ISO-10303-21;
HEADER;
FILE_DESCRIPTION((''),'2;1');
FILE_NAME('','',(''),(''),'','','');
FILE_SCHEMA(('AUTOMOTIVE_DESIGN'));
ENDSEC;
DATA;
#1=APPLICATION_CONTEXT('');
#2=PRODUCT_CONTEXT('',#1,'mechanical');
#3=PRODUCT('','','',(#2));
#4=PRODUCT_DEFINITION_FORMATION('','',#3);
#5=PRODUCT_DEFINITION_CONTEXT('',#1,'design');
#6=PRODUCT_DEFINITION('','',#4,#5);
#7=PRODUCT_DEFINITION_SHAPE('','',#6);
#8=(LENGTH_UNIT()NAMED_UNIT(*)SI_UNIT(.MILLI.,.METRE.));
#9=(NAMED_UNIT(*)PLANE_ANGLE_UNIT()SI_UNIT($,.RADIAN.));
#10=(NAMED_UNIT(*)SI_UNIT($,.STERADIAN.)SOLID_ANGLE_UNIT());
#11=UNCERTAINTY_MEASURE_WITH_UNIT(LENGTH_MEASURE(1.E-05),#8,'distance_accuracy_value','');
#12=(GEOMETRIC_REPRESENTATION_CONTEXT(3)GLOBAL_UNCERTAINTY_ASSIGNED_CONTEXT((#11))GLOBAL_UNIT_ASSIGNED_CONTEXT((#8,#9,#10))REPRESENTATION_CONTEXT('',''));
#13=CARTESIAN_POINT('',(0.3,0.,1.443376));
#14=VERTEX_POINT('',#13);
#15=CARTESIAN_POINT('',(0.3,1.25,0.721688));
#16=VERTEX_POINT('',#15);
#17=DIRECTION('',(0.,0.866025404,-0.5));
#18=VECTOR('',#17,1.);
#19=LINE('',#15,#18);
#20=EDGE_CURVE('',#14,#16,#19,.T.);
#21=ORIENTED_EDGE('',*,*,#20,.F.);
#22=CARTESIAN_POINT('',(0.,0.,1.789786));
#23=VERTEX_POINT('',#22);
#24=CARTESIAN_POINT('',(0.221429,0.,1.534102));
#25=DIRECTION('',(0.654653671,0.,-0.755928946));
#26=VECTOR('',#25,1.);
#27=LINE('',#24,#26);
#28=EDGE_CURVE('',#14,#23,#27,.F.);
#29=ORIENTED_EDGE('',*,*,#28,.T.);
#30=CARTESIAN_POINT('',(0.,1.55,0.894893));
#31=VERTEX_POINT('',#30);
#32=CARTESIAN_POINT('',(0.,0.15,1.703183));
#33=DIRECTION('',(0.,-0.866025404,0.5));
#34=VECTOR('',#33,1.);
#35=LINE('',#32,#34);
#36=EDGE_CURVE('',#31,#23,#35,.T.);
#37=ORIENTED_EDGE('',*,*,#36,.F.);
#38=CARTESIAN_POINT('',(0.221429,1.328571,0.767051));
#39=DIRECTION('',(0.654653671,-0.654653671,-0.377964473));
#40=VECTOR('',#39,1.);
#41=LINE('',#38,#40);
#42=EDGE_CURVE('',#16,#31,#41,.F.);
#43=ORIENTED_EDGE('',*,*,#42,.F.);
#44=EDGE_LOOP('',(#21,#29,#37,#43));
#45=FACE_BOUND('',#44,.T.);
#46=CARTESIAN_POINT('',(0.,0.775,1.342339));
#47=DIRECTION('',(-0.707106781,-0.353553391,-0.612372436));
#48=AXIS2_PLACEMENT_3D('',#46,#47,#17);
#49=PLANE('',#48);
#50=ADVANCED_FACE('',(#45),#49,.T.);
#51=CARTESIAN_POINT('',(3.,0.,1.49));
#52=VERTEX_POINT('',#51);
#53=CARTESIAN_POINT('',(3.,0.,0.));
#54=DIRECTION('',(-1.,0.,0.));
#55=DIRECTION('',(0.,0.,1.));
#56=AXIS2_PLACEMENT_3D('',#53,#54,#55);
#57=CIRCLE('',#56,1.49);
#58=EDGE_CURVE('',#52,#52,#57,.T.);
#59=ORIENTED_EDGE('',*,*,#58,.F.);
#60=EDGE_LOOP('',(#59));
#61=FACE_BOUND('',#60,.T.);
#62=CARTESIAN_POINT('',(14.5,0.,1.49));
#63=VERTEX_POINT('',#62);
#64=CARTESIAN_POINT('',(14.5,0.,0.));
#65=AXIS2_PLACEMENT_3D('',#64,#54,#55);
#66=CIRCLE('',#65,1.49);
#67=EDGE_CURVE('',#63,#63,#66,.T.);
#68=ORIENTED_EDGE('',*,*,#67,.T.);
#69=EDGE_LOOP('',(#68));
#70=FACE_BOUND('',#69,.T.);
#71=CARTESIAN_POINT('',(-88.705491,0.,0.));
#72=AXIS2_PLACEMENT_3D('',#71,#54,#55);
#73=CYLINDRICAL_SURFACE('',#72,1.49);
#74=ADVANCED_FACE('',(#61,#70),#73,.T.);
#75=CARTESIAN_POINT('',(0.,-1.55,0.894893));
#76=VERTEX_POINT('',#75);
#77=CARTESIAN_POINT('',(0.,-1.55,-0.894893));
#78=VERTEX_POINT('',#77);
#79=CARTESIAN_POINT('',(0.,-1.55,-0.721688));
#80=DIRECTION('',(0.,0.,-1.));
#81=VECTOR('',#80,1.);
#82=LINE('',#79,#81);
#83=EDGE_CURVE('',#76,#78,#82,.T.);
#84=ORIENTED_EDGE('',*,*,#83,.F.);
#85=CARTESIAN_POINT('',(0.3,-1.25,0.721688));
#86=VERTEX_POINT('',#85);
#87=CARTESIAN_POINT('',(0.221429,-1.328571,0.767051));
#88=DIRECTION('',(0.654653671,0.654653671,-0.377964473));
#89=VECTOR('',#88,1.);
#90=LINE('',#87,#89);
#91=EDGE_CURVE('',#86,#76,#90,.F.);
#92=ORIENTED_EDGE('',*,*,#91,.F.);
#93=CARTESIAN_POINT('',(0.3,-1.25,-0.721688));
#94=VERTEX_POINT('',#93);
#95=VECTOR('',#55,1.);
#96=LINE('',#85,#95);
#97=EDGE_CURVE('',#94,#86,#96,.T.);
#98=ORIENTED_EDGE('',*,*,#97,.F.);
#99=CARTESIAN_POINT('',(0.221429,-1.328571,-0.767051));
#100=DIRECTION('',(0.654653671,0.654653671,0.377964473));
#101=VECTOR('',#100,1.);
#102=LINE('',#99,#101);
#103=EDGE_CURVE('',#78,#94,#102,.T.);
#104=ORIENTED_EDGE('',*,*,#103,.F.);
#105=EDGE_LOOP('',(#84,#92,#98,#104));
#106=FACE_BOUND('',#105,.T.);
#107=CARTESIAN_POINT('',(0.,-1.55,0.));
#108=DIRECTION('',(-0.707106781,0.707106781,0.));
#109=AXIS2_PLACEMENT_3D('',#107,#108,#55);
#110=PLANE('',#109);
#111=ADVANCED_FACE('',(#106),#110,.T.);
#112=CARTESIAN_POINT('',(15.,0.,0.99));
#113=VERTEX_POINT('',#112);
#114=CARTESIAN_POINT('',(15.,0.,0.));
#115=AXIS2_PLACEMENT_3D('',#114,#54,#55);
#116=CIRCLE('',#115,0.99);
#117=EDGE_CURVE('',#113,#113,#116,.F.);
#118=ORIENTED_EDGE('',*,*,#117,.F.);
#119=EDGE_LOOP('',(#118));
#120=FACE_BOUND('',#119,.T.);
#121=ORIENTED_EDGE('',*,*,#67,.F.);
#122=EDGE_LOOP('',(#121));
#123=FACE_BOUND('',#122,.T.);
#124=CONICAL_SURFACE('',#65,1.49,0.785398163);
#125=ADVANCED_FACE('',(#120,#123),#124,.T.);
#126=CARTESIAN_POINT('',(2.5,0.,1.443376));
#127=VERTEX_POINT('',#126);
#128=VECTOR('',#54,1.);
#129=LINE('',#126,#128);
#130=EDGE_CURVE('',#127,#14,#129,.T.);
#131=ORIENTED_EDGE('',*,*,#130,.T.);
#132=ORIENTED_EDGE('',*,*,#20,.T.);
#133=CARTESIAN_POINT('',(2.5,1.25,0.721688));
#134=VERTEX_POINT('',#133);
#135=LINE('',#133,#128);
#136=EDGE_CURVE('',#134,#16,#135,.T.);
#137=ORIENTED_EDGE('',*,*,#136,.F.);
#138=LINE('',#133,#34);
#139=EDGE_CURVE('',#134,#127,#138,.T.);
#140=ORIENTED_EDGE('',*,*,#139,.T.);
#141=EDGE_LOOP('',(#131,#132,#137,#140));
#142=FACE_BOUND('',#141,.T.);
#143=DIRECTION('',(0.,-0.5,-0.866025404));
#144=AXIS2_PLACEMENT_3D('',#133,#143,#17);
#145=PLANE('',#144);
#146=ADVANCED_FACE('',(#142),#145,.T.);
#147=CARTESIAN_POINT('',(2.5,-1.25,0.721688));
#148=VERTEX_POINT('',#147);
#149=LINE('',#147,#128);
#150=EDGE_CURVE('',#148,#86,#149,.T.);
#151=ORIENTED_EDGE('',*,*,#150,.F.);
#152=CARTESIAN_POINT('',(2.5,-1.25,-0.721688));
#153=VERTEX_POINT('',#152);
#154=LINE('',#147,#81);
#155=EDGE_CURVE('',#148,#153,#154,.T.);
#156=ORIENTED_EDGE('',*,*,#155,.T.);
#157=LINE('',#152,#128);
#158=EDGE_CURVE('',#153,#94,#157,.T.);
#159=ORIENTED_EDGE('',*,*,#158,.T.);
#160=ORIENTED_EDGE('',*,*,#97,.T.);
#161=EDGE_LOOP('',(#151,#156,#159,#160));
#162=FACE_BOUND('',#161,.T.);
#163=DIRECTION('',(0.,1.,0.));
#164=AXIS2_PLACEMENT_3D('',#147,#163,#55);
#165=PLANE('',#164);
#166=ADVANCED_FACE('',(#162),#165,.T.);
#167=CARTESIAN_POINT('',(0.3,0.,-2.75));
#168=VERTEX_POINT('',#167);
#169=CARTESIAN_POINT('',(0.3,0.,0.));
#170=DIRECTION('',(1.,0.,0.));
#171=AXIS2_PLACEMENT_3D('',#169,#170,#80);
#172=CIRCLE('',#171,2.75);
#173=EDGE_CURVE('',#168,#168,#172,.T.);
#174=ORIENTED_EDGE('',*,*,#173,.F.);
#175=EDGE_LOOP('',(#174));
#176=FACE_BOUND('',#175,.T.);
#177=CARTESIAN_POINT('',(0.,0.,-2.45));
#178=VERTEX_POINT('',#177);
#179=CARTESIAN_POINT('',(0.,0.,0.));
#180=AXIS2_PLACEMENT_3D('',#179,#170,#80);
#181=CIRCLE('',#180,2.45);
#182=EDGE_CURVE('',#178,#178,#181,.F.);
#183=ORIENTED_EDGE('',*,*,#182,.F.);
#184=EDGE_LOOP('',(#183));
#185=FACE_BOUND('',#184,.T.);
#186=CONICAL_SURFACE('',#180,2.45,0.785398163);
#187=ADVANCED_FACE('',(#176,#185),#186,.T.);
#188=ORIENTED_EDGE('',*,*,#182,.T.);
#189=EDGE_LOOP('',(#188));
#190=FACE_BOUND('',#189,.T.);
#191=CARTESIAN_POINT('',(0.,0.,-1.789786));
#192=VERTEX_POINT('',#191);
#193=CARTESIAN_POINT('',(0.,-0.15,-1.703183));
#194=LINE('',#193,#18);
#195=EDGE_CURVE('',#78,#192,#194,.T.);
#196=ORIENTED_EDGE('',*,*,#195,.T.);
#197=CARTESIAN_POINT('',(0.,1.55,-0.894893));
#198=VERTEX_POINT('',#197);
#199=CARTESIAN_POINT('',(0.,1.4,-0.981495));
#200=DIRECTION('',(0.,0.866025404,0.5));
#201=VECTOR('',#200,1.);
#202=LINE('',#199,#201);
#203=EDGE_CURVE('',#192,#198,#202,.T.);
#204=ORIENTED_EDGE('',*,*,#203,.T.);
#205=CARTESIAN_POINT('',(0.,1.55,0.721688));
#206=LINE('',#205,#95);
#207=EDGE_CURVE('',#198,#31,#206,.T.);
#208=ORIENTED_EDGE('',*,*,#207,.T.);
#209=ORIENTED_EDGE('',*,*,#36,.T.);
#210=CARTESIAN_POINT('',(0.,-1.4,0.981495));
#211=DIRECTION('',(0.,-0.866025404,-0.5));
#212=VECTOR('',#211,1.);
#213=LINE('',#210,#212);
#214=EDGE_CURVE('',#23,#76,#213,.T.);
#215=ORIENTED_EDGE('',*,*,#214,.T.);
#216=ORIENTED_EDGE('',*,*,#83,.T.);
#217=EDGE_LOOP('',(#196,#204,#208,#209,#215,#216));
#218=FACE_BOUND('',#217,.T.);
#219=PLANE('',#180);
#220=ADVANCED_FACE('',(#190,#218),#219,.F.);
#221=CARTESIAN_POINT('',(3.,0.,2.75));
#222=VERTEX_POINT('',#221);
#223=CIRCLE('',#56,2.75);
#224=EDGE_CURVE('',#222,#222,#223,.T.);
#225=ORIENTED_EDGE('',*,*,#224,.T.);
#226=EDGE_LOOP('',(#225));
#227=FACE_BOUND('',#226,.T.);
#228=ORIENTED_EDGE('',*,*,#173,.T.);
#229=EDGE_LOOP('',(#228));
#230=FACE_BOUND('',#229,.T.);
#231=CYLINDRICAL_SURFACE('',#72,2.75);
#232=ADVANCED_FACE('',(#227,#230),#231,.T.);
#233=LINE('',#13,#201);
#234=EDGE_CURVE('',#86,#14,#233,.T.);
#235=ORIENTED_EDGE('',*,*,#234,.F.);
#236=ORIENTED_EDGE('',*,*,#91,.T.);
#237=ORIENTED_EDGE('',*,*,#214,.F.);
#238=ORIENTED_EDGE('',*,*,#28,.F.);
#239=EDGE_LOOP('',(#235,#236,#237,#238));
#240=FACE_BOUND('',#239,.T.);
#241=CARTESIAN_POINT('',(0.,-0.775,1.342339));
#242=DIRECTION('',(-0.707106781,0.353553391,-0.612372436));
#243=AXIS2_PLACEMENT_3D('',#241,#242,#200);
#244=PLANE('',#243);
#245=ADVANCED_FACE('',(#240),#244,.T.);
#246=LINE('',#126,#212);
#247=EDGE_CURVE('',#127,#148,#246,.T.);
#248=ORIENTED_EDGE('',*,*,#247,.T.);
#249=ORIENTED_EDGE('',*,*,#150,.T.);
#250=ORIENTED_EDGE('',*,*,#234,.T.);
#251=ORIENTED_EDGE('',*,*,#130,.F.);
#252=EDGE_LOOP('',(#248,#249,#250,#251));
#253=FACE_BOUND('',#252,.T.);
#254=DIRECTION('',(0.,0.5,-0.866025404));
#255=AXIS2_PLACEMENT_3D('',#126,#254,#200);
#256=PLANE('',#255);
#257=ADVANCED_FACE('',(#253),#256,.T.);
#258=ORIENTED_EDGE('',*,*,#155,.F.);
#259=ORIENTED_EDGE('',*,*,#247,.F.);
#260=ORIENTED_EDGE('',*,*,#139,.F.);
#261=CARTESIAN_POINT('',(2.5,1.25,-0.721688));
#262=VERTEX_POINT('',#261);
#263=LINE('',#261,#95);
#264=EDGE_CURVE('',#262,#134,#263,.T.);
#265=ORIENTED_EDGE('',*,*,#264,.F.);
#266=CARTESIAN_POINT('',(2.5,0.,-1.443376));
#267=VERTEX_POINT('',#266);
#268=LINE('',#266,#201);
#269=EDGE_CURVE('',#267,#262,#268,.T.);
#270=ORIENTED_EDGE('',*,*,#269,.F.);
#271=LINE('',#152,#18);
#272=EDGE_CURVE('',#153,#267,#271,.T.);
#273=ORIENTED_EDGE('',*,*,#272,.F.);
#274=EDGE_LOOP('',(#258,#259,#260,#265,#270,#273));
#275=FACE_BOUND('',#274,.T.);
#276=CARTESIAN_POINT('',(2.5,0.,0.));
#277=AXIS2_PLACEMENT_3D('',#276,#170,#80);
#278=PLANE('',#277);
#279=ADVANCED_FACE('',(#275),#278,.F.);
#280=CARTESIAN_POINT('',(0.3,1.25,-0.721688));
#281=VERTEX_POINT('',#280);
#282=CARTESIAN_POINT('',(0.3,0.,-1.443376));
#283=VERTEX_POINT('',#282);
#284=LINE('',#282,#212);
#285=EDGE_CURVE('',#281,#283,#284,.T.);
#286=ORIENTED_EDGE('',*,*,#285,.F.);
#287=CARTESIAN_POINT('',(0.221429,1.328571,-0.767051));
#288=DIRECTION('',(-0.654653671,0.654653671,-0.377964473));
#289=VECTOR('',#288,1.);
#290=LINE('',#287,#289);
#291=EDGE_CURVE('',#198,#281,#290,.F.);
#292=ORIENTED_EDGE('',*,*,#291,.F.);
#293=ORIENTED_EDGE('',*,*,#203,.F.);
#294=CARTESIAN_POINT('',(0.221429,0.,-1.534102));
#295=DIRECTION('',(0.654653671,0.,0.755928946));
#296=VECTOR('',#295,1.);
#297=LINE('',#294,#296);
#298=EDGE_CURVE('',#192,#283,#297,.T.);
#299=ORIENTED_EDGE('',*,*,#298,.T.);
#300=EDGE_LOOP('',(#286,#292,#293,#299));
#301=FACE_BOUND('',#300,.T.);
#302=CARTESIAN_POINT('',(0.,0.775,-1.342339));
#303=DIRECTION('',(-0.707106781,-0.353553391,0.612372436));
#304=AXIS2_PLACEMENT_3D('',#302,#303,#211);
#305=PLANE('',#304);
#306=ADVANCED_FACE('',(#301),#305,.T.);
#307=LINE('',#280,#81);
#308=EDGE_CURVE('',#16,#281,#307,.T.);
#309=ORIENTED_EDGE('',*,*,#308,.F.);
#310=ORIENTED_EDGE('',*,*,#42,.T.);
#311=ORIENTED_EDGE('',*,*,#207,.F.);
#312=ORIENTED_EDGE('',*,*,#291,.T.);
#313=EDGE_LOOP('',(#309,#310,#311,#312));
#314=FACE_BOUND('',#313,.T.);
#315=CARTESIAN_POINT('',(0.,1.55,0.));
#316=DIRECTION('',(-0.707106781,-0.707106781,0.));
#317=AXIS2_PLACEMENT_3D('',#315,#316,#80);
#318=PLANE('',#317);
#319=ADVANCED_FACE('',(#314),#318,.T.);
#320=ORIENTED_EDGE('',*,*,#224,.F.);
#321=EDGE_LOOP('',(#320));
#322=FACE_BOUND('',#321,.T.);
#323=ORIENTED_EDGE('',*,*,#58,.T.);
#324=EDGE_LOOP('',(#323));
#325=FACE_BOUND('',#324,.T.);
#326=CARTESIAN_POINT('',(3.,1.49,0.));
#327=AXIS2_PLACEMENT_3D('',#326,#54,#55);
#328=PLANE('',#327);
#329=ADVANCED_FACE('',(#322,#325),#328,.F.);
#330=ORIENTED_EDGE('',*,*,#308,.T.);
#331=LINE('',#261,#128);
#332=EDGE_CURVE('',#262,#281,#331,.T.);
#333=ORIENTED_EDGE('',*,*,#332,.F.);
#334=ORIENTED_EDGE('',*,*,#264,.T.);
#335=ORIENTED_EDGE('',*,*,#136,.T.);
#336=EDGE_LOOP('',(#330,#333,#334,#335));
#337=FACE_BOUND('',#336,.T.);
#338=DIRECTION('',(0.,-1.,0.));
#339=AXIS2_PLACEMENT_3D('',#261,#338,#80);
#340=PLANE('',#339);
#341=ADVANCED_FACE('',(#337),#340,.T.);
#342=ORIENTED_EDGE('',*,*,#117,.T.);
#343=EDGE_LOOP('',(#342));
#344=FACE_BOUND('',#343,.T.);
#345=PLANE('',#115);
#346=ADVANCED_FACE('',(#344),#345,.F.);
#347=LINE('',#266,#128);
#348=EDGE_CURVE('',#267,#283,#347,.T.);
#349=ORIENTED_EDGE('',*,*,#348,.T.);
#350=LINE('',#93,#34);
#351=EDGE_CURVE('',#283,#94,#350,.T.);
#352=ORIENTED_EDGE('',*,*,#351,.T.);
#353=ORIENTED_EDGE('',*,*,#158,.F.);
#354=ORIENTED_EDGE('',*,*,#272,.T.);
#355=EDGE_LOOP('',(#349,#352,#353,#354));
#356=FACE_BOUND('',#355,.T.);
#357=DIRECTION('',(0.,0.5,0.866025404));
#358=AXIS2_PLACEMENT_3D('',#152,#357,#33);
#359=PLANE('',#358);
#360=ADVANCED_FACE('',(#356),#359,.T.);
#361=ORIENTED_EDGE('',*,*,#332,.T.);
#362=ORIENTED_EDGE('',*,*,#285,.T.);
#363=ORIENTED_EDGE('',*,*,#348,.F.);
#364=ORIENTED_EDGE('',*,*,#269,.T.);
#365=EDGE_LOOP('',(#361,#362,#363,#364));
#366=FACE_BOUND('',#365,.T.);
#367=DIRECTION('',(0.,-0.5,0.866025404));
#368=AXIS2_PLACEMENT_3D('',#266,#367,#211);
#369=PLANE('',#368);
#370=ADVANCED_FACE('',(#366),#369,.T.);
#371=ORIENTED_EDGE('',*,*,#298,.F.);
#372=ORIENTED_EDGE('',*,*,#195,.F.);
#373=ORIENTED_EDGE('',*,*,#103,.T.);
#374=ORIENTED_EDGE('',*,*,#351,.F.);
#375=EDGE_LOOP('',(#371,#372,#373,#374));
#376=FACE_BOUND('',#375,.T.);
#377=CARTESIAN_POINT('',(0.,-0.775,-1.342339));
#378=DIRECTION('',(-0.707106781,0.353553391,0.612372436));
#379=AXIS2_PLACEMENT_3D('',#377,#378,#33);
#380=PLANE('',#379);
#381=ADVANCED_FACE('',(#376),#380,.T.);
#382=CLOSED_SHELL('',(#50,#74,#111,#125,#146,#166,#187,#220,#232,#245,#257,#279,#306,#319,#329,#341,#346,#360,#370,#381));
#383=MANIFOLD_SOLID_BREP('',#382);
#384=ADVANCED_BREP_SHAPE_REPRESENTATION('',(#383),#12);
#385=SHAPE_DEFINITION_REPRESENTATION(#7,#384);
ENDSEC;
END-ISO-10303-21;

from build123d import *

# Parameters (mm, degrees)
CHAMFER1_SIZE      = 0.5
CHAMFER2_SIZE      = 0.3
CUT_EXTRUDE1_DEPTH = 2.5
CHAMFER3_SIZE      = 0.3


with BuildPart() as part:
    # Sketch1 → Revolve1 (revolve)
    with BuildSketch(Plane.XY):
        Polygon((0, 0), (0, 2.75), (3, 2.75), (3, 1.49), (15, 1.49), (15, 0), align=None)
    revolve(axis=Axis((-88.705490849, 0, 0), (1, 0, 0)))

    # Chamfer1
    chamfer1_edges = [part.edges().sort_by_distance(p)[0] for p in [
        (15, -1.49, 0),
    ]]
    chamfer(chamfer1_edges, length=CHAMFER1_SIZE)

    # Chamfer2
    chamfer2_edges = [part.edges().sort_by_distance(p)[0] for p in [
        (0, -2.75, 0),
    ]]
    chamfer(chamfer2_edges, length=CHAMFER2_SIZE)

    # Sketch3 → Cut-Extrude1 (cut)
    with BuildSketch(Plane(origin=(0, 0, 0), x_dir=(0, 0, -1), z_dir=(1, 0, 0))):
        Polygon((-1.443375673, 0), (-0.721687836, -1.25), (0.721687836, -1.25), (1.443375673, 0), (0.721687836, 1.25), (-0.721687836, 1.25), align=None)
    extrude(amount=CUT_EXTRUDE1_DEPTH, mode=Mode.SUBTRACT)

    # Chamfer3
    chamfer3_edges = [part.edges().sort_by_distance(p)[0] for p in [
        (0, 0.625, 1.082531755),
        (0, -0.625, 1.082531755),
        (0, -1.25, 0),
        (0, -0.625, -1.082531755),
        (0, 0.625, -1.082531755),
        (0, 1.25, 0),
    ]]
    chamfer(chamfer3_edges, length=CHAMFER3_SIZE)


solid = part.part
